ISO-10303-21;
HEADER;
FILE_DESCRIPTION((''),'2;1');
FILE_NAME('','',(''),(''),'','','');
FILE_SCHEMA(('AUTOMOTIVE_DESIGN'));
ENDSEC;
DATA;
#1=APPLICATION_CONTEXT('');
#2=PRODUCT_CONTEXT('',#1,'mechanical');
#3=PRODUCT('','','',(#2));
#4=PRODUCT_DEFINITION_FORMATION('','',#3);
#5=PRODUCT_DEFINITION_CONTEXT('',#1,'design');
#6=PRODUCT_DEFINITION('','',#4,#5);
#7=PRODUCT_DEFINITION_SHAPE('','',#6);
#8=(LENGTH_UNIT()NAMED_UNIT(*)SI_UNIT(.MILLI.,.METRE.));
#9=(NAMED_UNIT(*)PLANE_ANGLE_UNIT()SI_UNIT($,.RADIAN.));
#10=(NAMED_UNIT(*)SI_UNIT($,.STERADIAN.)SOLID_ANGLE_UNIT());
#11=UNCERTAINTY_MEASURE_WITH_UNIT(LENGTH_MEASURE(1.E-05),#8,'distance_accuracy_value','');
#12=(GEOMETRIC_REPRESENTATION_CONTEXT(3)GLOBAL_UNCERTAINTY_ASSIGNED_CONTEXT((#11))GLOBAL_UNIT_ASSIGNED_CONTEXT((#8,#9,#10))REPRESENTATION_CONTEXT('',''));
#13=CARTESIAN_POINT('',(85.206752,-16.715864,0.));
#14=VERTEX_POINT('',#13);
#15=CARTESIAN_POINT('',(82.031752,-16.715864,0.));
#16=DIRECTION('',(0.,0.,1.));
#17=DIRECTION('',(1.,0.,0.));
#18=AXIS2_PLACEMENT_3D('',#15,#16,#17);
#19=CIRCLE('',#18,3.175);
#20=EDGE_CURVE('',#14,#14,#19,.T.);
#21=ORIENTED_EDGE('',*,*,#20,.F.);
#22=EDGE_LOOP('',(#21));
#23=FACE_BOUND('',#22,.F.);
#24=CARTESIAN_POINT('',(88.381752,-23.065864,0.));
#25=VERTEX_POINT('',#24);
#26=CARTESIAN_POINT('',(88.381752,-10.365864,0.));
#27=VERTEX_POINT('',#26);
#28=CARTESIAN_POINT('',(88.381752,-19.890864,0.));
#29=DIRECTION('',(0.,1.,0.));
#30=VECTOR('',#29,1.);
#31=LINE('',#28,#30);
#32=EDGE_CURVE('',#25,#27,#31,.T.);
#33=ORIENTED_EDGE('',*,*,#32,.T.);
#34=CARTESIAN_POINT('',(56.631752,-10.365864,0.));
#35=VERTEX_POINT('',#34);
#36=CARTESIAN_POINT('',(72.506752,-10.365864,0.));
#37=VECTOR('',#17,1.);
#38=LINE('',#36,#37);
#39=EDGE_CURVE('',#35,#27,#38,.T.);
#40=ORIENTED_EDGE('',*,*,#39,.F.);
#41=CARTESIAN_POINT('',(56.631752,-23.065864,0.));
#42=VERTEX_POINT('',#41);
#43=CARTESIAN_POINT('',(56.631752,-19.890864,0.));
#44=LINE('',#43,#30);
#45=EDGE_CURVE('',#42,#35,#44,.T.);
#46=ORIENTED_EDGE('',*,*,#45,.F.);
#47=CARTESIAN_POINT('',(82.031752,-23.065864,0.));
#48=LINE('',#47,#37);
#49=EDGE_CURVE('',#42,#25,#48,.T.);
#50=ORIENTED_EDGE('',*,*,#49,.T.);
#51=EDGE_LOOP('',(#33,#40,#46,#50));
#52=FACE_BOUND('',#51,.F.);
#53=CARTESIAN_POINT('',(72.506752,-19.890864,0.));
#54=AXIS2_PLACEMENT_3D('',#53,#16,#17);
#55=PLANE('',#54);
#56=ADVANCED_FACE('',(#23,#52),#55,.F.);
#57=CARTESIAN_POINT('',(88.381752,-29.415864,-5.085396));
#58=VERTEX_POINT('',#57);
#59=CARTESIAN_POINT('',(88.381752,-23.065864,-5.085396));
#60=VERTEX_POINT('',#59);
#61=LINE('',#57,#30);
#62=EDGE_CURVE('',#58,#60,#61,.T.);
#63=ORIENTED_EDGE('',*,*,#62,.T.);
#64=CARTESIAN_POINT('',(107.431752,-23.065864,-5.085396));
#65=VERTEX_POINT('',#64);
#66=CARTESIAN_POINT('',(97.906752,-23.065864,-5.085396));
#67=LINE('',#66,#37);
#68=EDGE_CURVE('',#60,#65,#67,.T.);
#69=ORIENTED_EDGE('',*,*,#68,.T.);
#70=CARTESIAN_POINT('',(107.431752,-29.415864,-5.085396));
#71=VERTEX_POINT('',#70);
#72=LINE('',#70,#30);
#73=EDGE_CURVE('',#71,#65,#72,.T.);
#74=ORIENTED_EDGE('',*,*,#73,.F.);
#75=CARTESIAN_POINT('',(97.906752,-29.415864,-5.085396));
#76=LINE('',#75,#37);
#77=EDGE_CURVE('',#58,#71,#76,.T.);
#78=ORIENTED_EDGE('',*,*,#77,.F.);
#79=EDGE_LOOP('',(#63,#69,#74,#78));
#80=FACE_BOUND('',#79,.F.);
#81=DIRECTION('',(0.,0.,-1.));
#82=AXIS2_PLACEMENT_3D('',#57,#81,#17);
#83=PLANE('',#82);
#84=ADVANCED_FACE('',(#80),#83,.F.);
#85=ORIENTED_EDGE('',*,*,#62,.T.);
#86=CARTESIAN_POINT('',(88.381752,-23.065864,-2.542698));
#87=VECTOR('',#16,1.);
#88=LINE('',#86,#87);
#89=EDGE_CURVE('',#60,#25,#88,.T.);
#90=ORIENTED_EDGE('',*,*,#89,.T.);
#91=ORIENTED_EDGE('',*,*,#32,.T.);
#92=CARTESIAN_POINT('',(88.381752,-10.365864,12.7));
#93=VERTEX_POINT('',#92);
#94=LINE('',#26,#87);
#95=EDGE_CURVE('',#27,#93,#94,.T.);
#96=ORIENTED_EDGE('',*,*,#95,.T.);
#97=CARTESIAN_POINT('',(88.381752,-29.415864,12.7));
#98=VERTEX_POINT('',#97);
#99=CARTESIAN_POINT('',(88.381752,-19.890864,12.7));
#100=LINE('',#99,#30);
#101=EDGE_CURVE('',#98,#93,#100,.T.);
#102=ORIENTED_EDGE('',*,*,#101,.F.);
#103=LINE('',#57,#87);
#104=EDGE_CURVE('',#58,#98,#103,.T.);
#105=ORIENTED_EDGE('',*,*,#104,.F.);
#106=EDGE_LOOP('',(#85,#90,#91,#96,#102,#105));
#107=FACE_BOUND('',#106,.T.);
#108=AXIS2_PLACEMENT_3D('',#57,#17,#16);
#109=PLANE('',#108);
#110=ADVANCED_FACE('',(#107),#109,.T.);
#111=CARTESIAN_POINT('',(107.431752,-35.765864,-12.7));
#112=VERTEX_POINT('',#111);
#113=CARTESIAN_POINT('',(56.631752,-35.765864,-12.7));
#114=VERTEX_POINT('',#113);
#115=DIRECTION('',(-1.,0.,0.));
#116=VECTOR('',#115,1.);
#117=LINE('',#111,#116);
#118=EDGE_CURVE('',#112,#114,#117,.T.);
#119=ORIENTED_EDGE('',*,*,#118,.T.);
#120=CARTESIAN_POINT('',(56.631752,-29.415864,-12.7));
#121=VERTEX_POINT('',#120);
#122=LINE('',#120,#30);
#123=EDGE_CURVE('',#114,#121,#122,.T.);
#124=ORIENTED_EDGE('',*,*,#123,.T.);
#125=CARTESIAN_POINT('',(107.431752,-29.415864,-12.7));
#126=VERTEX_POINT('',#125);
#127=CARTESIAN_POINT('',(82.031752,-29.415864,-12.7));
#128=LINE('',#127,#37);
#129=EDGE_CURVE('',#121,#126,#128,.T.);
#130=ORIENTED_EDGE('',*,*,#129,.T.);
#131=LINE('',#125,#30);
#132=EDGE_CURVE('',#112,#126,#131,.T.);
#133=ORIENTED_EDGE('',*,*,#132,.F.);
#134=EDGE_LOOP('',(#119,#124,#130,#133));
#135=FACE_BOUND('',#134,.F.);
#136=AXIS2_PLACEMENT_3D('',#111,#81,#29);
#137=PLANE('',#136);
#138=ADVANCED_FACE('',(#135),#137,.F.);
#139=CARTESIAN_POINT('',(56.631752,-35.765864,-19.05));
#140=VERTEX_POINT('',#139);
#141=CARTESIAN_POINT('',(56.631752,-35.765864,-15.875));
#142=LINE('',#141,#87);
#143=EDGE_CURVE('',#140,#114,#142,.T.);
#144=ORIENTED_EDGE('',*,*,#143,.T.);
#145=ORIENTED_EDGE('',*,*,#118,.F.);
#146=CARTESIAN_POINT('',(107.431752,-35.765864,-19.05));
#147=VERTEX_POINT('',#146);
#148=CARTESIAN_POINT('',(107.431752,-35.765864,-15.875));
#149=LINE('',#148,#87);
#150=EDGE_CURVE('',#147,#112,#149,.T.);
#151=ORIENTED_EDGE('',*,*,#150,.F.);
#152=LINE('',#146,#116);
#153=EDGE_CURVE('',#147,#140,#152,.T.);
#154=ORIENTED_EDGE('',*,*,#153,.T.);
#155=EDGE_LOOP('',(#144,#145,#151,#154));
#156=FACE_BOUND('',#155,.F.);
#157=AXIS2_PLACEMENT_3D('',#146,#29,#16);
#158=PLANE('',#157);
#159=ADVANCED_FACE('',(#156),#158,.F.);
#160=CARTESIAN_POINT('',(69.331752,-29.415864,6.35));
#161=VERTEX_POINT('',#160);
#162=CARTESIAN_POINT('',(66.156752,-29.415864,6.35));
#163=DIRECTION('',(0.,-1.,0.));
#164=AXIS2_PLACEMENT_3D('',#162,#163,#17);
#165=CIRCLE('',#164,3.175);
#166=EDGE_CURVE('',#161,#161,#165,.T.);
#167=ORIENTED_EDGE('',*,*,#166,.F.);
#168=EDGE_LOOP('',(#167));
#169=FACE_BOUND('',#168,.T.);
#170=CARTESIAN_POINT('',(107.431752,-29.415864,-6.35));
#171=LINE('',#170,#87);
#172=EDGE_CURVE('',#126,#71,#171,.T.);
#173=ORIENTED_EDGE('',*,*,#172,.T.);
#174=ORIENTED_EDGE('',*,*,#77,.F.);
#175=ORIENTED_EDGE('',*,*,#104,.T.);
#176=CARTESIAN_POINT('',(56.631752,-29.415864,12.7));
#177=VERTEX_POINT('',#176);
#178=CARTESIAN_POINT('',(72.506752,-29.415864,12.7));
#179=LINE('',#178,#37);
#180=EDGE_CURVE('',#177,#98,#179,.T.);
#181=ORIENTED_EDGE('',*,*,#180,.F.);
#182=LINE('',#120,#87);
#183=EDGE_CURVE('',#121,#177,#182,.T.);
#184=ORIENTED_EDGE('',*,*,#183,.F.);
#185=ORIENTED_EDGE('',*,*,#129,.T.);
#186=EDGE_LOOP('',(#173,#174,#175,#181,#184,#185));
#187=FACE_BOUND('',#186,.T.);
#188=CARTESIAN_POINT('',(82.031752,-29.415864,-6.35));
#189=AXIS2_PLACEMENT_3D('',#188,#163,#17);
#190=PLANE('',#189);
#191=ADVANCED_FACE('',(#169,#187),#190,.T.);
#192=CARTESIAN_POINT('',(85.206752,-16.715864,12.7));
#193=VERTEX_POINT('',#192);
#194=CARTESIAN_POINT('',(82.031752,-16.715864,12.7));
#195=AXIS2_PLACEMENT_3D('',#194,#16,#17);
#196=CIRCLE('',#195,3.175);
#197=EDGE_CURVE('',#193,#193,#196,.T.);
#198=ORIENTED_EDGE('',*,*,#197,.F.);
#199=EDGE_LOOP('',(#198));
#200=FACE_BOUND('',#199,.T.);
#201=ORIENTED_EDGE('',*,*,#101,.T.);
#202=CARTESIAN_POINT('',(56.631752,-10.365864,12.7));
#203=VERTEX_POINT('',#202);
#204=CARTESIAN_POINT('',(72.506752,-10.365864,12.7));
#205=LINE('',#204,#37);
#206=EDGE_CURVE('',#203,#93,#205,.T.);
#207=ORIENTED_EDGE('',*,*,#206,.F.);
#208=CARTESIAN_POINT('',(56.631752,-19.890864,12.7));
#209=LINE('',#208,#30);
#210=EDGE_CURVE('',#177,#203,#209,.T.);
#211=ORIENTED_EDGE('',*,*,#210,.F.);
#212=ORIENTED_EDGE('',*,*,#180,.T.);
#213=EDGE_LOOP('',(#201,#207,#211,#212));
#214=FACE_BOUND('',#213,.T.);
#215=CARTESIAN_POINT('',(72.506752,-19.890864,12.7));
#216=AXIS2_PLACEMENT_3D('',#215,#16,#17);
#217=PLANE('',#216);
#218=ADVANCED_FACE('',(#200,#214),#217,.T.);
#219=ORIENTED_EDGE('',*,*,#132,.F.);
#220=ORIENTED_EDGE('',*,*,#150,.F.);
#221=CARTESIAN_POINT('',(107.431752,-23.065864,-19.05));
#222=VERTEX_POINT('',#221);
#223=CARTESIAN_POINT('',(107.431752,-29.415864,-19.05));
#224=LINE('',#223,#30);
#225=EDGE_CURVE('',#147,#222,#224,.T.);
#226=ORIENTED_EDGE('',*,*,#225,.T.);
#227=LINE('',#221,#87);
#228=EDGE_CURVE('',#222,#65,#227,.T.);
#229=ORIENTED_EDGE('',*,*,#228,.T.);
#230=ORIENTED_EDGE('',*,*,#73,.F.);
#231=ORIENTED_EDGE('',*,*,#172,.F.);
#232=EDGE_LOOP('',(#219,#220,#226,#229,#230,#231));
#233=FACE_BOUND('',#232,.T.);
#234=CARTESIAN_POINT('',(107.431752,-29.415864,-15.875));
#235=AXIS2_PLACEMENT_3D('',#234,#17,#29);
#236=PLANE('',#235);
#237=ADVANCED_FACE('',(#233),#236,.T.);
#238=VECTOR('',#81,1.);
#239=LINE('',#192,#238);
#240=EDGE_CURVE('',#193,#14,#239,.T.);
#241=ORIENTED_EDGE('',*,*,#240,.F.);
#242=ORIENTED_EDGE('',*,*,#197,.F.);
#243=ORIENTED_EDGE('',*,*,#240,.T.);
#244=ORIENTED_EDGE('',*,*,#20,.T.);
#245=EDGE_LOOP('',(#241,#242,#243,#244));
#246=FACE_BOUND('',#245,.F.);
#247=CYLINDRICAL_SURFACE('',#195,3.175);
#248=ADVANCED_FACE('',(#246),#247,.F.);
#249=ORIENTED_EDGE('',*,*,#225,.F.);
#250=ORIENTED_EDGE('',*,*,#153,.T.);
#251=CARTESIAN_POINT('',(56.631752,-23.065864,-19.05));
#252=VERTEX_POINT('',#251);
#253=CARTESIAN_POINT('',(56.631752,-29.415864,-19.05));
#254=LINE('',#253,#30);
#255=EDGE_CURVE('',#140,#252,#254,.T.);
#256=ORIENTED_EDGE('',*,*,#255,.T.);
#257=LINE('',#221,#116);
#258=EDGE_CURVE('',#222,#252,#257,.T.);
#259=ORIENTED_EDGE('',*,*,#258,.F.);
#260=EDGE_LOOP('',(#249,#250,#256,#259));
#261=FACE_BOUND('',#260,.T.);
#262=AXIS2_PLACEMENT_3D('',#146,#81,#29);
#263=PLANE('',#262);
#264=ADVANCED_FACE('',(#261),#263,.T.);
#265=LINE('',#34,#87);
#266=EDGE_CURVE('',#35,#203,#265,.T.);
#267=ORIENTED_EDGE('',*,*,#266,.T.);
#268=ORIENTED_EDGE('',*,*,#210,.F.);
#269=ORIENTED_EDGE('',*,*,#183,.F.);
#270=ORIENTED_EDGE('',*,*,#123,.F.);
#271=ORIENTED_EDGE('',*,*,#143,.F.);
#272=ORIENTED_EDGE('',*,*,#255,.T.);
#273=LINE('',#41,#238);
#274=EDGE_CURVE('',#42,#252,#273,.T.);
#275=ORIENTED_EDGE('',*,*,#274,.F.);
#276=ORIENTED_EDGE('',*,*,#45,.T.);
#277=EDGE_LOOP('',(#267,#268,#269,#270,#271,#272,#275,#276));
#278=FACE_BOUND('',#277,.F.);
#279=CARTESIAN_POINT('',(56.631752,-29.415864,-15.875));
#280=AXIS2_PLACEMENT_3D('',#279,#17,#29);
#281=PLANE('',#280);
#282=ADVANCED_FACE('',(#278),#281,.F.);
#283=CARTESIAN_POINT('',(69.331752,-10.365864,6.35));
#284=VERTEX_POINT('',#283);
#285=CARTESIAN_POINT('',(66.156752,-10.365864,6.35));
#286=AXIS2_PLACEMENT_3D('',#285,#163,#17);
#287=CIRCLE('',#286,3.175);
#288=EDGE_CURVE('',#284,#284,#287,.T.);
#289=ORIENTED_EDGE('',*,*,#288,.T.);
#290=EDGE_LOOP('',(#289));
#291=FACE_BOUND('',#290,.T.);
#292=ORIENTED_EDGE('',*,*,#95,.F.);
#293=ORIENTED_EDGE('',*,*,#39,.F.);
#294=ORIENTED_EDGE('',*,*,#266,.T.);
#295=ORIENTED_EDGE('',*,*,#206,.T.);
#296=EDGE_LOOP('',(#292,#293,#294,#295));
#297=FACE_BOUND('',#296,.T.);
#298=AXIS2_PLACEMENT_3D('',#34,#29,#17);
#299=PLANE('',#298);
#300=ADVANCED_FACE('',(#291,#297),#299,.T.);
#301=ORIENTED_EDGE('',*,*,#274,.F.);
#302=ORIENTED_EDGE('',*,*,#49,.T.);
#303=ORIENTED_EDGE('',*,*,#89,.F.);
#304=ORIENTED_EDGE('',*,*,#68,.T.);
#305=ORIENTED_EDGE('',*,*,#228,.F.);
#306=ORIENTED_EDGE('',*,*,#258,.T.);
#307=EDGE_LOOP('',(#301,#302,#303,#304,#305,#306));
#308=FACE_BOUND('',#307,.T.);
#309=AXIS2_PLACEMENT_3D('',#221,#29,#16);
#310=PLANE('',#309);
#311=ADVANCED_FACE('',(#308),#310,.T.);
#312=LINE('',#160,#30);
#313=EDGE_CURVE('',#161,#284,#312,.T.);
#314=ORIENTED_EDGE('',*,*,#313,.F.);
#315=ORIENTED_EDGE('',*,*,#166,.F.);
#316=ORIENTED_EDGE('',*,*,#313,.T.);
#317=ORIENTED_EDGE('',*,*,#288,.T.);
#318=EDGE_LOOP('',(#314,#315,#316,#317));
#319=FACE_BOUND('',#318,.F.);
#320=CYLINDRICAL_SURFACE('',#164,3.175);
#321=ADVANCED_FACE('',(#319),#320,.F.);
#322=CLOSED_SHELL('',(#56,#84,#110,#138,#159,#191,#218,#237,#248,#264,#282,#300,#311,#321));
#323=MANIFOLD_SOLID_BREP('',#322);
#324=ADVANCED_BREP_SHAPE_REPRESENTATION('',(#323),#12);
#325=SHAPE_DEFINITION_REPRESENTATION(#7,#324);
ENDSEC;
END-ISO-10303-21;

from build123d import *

# Parameters (mm, degrees)
F0_W      = 31.75
F0_H      = 19.05
F1_DEPTH  = 12.7
F2_W      = 50.8
F2_H      = 12.7
F3_DEPTH  = 6.35
F4_W      = 19.05
F4_H      = 5.085397
F5_DEPTH  = 6.35
F6_W      = 12.7
F6_H      = 6.35
F7_DEPTH  = 50.8
F9_R      = 3.175
F10_DEPTH = 12.7
F8_R      = 3.175
F11_DEPTH = 19.05


with BuildPart() as f1:
    # F0 (on Top) → F1 (new body)
    with BuildSketch(Plane.XY):
        with Locations((72.506752, -19.890864)):
            Rectangle(F0_W, F0_H)
    extrude(amount=F1_DEPTH)

    # F2 (on face) → F3 (join)
    with BuildSketch(Plane.XZ.offset(29.415864)):
        with Locations((82.031752, -6.35)):
            Rectangle(F2_W, F2_H)
    extrude(amount=-F3_DEPTH)

    # F4 (on face) → F5 (cut)
    with BuildSketch(Plane.XZ.offset(29.415864)):
        with Locations((97.906752, -2.542698)):
            Rectangle(F4_W, F4_H)
    extrude(amount=-F5_DEPTH, mode=Mode.SUBTRACT)

    # F6 (on face) → F7 (join)
    with BuildSketch(Plane.YZ.offset(107.431752)):
        with Locations((-29.415864, -15.875)):
            Rectangle(F6_W, F6_H)
    extrude(amount=-F7_DEPTH)

    # F9 (on face) → F10 (cut)
    with BuildSketch(Plane.XY.offset(12.7)):
        with Locations((82.031752, -16.715864)):
            Circle(F9_R)
    extrude(amount=-F10_DEPTH, mode=Mode.SUBTRACT)

    # F8 (on face) → F11 (cut)
    with BuildSketch(Plane.XZ.offset(29.415864)):
        with Locations((66.156752, 6.35)):
            Circle(F8_R)
    extrude(amount=-F11_DEPTH, mode=Mode.SUBTRACT)


solid = f1.part
